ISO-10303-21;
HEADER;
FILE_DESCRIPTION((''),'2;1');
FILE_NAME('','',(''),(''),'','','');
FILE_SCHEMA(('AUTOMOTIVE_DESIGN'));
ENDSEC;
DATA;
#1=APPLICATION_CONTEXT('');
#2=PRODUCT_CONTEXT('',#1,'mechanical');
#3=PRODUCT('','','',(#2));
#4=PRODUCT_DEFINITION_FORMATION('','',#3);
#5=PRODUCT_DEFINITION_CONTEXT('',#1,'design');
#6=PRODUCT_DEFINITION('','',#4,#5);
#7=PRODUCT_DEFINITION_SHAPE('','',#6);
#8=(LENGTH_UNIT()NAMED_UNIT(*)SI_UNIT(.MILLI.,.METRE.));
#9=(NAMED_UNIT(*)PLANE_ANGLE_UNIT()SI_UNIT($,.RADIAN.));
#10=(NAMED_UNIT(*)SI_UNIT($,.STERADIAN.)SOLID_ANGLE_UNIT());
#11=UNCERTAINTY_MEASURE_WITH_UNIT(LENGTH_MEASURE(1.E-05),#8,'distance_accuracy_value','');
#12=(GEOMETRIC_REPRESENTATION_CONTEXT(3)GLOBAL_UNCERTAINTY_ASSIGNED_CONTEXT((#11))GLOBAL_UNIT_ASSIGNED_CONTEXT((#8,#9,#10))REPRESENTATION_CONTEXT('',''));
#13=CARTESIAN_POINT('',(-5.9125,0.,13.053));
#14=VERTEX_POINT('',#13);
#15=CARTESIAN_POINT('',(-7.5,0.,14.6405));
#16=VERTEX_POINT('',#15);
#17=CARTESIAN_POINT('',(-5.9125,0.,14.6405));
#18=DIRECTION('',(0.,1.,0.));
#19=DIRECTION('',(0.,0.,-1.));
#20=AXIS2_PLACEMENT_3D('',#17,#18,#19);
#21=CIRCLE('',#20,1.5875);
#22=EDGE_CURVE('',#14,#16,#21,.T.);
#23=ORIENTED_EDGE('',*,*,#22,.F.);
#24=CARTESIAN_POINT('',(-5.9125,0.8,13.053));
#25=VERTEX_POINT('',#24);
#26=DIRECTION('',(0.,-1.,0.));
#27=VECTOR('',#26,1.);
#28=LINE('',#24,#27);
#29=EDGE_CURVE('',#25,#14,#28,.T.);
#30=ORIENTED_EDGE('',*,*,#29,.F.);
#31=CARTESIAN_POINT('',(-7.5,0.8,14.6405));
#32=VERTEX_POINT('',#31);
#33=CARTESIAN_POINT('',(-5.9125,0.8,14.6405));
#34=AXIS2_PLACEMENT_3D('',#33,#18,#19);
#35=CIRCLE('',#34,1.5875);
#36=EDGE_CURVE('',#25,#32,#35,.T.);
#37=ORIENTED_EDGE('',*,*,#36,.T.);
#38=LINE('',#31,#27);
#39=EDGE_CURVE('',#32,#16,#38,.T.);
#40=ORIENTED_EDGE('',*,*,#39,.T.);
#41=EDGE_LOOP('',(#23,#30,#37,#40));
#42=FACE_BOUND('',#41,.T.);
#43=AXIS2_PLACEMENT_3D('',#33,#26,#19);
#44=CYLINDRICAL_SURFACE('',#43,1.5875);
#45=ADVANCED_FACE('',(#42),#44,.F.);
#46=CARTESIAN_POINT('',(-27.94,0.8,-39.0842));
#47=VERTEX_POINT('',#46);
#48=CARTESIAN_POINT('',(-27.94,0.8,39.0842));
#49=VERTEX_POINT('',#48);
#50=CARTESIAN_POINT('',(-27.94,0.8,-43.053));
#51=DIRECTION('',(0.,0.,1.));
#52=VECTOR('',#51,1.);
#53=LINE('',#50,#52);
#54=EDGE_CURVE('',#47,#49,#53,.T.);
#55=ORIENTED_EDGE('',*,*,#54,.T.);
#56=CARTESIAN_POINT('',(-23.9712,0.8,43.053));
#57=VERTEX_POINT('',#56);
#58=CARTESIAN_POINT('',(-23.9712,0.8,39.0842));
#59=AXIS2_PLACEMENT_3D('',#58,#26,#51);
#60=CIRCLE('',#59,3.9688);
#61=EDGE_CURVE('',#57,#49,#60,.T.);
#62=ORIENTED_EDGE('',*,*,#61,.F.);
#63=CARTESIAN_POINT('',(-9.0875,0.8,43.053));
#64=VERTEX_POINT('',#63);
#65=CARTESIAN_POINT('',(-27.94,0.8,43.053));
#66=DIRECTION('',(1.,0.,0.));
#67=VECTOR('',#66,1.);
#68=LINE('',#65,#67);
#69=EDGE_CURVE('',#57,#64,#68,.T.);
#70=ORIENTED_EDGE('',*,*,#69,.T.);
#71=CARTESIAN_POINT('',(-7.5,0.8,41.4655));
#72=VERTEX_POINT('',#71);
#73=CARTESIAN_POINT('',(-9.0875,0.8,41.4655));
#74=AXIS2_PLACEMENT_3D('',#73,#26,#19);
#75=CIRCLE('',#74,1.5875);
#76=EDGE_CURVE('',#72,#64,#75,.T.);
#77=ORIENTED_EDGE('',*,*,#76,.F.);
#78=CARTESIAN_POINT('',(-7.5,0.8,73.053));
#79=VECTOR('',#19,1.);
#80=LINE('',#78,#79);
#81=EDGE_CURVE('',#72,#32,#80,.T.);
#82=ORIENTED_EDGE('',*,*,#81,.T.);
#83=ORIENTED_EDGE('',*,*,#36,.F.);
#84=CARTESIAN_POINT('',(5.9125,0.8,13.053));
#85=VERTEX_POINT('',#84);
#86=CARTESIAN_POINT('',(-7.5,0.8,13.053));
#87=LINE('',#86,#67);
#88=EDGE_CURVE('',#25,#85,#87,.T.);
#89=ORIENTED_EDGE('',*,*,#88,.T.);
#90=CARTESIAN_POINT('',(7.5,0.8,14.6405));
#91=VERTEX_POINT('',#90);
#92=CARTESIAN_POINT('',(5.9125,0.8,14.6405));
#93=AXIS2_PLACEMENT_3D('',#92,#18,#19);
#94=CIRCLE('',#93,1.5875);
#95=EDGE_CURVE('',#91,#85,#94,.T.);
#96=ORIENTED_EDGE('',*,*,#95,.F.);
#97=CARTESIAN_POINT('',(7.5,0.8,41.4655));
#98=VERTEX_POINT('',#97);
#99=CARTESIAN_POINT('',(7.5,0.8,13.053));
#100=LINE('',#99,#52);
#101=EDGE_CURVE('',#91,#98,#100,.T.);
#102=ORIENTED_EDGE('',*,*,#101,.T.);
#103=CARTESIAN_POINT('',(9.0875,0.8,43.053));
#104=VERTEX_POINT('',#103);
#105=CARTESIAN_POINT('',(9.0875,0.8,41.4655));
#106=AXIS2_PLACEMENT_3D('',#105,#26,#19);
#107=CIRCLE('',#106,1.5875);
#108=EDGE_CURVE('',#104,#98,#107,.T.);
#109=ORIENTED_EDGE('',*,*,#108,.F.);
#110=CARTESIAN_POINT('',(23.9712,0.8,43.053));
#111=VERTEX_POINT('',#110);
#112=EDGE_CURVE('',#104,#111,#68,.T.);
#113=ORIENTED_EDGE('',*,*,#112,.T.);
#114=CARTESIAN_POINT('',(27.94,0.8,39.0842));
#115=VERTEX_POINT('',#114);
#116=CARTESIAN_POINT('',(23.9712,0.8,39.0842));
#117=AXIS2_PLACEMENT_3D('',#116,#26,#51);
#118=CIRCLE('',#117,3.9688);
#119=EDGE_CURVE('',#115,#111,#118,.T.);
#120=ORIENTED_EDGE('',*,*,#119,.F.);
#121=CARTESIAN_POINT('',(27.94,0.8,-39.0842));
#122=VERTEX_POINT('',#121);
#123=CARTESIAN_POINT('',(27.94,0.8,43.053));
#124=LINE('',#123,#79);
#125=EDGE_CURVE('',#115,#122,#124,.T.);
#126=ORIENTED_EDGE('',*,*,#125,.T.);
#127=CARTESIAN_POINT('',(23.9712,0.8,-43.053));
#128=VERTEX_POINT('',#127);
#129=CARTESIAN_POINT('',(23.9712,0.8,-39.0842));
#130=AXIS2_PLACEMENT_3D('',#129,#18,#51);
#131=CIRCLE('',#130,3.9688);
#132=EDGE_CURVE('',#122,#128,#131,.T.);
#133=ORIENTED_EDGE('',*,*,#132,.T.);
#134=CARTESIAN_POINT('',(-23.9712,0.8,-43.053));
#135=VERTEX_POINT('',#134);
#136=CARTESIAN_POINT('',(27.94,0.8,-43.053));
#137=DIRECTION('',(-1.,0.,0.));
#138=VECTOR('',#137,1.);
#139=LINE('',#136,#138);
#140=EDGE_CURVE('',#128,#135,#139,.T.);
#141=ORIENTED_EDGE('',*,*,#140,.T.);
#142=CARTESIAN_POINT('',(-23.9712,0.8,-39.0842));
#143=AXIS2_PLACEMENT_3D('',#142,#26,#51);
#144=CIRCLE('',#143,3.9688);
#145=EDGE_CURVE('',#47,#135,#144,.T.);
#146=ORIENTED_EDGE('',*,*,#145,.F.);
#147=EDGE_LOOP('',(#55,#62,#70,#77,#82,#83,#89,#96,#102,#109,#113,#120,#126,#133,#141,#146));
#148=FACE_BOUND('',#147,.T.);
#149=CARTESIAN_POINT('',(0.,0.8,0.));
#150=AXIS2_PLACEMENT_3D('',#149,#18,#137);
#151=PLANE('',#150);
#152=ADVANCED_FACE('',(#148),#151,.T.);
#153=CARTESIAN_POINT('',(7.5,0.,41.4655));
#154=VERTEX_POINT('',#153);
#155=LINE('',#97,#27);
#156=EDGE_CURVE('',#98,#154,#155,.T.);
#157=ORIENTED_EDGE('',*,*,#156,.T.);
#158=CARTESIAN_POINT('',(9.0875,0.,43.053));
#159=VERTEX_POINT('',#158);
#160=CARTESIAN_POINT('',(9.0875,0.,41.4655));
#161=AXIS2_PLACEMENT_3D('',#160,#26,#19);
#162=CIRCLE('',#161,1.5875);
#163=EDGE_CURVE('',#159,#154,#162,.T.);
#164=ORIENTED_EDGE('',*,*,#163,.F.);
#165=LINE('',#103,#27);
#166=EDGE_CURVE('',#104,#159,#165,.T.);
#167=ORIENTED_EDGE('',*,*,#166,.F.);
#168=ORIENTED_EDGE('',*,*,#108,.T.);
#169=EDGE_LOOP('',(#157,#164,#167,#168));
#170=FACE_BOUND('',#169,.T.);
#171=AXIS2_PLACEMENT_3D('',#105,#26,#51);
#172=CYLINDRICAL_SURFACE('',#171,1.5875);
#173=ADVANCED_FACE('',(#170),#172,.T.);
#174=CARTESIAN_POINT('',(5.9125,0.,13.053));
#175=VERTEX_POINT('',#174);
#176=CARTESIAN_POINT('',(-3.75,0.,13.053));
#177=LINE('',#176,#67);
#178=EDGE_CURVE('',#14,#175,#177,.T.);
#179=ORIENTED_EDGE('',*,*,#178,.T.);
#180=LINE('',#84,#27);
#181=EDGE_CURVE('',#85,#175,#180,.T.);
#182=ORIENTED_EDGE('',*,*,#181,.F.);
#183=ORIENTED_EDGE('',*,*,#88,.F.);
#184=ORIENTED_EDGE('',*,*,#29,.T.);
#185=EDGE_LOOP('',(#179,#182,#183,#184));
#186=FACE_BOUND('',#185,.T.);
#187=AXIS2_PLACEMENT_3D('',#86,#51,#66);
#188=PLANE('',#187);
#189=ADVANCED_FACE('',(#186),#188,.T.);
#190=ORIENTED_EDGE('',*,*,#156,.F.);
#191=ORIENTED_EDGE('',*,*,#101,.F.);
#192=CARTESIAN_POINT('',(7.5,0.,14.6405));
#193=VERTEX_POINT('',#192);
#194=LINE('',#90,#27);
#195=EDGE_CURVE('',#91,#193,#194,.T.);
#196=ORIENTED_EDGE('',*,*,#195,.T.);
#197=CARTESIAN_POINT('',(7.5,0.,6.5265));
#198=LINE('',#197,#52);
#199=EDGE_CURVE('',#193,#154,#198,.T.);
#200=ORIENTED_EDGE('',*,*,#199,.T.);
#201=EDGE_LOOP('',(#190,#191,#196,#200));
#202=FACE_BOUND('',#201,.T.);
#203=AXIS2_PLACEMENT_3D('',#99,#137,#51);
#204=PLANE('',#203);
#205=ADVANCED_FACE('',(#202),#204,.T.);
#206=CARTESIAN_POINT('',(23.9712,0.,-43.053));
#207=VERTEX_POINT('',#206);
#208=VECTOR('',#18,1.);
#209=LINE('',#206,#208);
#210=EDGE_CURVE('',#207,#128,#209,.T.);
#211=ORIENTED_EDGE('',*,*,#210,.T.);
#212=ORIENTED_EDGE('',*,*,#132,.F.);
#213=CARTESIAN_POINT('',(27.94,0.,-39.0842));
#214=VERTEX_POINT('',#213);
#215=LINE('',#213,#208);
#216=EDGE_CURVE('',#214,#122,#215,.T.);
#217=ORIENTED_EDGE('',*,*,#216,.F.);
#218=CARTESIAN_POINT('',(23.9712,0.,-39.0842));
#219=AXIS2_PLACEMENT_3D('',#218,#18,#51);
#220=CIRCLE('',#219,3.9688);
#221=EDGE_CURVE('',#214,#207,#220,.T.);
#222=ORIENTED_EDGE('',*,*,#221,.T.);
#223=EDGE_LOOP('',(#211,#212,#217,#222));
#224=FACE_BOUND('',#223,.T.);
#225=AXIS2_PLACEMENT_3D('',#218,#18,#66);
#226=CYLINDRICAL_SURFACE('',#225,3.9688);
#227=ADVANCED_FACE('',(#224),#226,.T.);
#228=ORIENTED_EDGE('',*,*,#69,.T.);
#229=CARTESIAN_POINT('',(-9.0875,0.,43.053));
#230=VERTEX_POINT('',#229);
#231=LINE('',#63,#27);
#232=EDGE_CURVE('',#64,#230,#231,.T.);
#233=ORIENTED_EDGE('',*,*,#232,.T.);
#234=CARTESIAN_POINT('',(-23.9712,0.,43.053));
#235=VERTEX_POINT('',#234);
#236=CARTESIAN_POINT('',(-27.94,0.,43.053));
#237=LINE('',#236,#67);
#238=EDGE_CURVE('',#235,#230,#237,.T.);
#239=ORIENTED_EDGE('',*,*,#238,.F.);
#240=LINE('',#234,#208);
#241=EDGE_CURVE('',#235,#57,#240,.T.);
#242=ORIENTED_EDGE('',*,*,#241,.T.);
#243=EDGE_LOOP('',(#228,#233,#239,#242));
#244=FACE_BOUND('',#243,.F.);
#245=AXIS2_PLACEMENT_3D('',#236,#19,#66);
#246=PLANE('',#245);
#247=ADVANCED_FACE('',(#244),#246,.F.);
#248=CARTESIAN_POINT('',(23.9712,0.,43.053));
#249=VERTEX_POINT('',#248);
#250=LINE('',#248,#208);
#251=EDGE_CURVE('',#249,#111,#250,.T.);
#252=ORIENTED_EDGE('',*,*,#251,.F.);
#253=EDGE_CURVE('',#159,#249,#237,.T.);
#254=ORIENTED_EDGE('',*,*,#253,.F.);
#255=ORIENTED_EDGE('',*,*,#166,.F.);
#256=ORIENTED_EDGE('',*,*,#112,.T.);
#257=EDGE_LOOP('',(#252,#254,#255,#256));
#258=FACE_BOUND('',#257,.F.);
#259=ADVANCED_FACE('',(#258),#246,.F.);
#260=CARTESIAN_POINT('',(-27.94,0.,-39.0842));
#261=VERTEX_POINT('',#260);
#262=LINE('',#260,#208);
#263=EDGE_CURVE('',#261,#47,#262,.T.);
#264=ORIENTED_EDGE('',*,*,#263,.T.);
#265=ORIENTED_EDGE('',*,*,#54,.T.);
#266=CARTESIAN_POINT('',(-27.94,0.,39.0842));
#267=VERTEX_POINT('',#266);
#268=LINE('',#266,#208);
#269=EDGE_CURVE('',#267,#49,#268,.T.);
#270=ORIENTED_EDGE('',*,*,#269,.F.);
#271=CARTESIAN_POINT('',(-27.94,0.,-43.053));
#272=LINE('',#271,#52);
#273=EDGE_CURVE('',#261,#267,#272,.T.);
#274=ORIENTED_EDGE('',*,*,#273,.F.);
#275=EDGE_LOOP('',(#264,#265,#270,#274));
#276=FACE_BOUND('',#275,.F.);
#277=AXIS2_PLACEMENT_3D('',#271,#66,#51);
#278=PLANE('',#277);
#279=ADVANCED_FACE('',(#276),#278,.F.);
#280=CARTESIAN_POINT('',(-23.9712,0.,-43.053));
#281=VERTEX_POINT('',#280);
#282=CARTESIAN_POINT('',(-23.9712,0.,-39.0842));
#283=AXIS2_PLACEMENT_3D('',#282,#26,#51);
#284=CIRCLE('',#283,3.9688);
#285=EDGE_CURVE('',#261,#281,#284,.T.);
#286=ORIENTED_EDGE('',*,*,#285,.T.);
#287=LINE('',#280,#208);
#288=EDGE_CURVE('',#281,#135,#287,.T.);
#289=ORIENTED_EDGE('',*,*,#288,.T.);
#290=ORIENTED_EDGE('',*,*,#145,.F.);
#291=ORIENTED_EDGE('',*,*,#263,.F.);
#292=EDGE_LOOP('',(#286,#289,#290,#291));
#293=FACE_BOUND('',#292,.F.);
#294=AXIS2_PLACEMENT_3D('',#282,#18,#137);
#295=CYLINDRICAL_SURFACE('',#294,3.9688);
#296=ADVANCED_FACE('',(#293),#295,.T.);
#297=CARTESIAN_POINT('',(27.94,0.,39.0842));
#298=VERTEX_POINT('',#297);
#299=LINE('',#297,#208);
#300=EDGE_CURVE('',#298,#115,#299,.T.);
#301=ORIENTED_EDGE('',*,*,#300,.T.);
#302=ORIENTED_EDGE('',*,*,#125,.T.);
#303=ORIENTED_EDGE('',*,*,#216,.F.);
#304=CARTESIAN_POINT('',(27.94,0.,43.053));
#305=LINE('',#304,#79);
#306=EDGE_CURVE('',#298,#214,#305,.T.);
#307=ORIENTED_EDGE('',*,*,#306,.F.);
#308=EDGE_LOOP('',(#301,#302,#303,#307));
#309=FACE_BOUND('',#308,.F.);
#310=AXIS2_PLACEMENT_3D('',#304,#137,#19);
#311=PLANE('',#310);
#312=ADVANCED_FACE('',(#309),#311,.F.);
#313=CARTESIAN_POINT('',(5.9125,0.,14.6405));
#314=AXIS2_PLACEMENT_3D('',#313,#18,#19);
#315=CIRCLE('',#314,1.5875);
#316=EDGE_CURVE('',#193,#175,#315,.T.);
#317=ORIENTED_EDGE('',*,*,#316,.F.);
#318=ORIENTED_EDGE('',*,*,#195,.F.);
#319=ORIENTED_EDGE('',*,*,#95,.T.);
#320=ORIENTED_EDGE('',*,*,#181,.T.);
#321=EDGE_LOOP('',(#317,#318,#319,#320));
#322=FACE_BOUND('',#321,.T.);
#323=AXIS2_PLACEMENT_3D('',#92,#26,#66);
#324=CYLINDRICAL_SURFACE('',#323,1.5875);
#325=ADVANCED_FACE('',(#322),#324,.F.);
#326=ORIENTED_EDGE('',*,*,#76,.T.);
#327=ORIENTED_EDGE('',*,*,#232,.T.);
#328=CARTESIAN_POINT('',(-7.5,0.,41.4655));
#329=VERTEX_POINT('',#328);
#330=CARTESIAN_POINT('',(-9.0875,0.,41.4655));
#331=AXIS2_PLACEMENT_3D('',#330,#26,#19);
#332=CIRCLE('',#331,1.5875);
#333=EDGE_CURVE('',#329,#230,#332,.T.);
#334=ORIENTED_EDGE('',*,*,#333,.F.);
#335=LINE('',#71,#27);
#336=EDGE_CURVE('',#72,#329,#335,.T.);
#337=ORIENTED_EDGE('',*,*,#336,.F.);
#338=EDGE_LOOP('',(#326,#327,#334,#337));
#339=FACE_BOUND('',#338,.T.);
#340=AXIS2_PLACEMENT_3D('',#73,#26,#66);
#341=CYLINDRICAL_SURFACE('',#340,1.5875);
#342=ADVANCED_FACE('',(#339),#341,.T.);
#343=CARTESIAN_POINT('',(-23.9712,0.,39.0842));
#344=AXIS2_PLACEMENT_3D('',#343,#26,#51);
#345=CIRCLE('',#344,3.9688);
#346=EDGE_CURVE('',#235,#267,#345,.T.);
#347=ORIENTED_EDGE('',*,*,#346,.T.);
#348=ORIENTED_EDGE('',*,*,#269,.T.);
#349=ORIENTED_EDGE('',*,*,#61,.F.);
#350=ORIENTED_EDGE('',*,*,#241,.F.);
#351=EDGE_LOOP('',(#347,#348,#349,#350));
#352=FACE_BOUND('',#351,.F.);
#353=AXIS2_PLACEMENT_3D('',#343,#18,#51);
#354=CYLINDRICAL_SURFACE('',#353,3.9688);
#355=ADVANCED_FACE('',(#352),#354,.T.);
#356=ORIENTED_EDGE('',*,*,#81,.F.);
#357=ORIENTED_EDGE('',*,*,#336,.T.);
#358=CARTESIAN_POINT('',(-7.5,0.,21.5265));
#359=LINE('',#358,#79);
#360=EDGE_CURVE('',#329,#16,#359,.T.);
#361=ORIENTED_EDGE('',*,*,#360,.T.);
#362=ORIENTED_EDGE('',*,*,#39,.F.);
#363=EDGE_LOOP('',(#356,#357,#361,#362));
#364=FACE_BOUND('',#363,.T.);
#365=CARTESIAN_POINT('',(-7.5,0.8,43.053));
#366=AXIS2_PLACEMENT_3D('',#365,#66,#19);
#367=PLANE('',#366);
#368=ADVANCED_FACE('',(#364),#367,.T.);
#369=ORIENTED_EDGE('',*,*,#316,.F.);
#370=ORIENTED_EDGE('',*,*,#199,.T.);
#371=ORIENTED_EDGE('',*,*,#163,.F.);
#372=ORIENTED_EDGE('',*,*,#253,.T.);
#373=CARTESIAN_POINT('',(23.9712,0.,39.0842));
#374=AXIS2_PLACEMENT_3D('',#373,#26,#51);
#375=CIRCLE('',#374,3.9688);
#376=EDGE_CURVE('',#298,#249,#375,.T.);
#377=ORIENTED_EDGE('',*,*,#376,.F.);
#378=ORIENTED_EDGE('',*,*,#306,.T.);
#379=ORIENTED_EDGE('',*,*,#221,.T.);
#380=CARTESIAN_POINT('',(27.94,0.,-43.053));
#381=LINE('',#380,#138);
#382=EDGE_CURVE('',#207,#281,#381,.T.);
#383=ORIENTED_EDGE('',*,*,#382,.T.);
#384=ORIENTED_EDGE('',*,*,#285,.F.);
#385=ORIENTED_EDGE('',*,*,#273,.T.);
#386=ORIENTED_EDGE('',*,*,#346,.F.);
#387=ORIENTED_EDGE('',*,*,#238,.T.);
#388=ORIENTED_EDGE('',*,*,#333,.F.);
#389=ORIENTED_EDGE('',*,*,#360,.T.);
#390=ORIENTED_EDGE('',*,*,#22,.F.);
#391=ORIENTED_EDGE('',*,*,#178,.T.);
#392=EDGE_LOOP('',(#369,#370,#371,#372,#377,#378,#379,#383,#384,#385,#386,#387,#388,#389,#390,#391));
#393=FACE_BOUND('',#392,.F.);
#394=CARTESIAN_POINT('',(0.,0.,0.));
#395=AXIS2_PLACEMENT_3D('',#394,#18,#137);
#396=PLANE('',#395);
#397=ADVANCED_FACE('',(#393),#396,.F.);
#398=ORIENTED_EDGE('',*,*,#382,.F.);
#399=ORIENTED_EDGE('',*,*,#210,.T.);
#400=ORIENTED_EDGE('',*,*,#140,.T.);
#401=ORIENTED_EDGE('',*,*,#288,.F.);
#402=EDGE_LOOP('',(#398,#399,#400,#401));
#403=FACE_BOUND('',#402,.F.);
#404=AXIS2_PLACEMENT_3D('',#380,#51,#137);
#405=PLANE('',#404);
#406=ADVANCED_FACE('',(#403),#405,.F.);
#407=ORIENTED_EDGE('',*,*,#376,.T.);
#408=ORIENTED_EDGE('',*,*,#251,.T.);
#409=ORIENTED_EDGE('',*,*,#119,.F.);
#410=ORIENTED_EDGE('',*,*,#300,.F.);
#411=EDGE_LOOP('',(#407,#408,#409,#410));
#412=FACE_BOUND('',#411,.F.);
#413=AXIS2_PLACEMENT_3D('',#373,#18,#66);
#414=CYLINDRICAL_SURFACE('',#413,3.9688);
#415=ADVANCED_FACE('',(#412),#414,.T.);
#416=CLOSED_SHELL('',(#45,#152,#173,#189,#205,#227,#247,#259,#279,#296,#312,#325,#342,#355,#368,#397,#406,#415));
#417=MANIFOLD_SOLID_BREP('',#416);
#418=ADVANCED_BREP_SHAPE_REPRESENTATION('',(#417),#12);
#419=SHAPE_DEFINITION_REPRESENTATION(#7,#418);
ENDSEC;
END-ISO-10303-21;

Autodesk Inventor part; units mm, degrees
ref_plane "YZ Plane" through (0, 0, 0) normal (1, 0, 0) x (0, 1, 0)
ref_plane "XZ Plane" through (0, 0, 0) normal (0, 1, 0) x (-1, 0, 0)
ref_plane "XY Plane" through (0, 0, 0) normal (0, 0, 1) x (1, 0, 0)
sketch "Sketch1" plane through (0, 0, 0) normal (0, 1, 0) x (-1, 0, 0)
  line L0 (-27.94, -43.053) -> (27.94, -43.053)
  line L1 (27.94, -43.053) -> (27.94, 43.053)
  line L2 (27.94, 43.053) -> (-27.94, 43.053)
  line L3 (-27.94, 43.053) -> (-27.94, -43.053)
  line L4 (-27.94, -43.053) -> (27.94, 43.053) construction
  line L5 (27.94, -43.053) -> (-27.94, 43.053) construction
  point P0 (0, 0)
  dimension "d0" = 86.106
  dimension "d1" = 55.88
extrude "Extrusion1" add sketch "Sketch1" along normal blind 0.8
fillet "Fillet1" radius 3.9688 4 edges at (27.94, 0.4, 43.053) (27.94, 0.4, -43.053) (-27.94, 0.4, -43.053) (-27.94, 0.4, 43.053)
sketch "Sketch2" plane through (0, 0.8, 0) normal (0, 1, 0) x (1, 0, 0)
  line L0 (7.5, -73.053) -> (-7.5, -73.053)
  line L1 (-7.5, -73.053) -> (-7.5, -13.053)
  line L2 (-7.5, -13.053) -> (7.5, -13.053)
  line L3 (7.5, -13.053) -> (7.5, -73.053)
  line L4 (-23.9712, -43.053) -> (23.9713, -43.053) projected
  line L5 (7.5, -73.053) -> (-7.5, -13.053) construction
  line L6 (-7.5, -73.053) -> (7.5, -13.053) construction
  point P0 (0, 0)
  point P1 (0, -43.053)
  point P2 (-7.5, -43.053)
  point P3 (7.5, -43.053)
  dimension "d5" = 15
  dimension "d6" = 60
extrude "Extrusion2" cut sketch "Sketch2" against normal blind 25.4 contours L4 L1 L2 L3
fillet "Fillet2" radius 1.5875 4 edges at (-7.5, 0.4, 13.053) (7.5, 0.4, 13.053) (-7.5, 0.4, 43.053) (7.5, 0.4, 43.053)
properties part number "led_ring_cover"
